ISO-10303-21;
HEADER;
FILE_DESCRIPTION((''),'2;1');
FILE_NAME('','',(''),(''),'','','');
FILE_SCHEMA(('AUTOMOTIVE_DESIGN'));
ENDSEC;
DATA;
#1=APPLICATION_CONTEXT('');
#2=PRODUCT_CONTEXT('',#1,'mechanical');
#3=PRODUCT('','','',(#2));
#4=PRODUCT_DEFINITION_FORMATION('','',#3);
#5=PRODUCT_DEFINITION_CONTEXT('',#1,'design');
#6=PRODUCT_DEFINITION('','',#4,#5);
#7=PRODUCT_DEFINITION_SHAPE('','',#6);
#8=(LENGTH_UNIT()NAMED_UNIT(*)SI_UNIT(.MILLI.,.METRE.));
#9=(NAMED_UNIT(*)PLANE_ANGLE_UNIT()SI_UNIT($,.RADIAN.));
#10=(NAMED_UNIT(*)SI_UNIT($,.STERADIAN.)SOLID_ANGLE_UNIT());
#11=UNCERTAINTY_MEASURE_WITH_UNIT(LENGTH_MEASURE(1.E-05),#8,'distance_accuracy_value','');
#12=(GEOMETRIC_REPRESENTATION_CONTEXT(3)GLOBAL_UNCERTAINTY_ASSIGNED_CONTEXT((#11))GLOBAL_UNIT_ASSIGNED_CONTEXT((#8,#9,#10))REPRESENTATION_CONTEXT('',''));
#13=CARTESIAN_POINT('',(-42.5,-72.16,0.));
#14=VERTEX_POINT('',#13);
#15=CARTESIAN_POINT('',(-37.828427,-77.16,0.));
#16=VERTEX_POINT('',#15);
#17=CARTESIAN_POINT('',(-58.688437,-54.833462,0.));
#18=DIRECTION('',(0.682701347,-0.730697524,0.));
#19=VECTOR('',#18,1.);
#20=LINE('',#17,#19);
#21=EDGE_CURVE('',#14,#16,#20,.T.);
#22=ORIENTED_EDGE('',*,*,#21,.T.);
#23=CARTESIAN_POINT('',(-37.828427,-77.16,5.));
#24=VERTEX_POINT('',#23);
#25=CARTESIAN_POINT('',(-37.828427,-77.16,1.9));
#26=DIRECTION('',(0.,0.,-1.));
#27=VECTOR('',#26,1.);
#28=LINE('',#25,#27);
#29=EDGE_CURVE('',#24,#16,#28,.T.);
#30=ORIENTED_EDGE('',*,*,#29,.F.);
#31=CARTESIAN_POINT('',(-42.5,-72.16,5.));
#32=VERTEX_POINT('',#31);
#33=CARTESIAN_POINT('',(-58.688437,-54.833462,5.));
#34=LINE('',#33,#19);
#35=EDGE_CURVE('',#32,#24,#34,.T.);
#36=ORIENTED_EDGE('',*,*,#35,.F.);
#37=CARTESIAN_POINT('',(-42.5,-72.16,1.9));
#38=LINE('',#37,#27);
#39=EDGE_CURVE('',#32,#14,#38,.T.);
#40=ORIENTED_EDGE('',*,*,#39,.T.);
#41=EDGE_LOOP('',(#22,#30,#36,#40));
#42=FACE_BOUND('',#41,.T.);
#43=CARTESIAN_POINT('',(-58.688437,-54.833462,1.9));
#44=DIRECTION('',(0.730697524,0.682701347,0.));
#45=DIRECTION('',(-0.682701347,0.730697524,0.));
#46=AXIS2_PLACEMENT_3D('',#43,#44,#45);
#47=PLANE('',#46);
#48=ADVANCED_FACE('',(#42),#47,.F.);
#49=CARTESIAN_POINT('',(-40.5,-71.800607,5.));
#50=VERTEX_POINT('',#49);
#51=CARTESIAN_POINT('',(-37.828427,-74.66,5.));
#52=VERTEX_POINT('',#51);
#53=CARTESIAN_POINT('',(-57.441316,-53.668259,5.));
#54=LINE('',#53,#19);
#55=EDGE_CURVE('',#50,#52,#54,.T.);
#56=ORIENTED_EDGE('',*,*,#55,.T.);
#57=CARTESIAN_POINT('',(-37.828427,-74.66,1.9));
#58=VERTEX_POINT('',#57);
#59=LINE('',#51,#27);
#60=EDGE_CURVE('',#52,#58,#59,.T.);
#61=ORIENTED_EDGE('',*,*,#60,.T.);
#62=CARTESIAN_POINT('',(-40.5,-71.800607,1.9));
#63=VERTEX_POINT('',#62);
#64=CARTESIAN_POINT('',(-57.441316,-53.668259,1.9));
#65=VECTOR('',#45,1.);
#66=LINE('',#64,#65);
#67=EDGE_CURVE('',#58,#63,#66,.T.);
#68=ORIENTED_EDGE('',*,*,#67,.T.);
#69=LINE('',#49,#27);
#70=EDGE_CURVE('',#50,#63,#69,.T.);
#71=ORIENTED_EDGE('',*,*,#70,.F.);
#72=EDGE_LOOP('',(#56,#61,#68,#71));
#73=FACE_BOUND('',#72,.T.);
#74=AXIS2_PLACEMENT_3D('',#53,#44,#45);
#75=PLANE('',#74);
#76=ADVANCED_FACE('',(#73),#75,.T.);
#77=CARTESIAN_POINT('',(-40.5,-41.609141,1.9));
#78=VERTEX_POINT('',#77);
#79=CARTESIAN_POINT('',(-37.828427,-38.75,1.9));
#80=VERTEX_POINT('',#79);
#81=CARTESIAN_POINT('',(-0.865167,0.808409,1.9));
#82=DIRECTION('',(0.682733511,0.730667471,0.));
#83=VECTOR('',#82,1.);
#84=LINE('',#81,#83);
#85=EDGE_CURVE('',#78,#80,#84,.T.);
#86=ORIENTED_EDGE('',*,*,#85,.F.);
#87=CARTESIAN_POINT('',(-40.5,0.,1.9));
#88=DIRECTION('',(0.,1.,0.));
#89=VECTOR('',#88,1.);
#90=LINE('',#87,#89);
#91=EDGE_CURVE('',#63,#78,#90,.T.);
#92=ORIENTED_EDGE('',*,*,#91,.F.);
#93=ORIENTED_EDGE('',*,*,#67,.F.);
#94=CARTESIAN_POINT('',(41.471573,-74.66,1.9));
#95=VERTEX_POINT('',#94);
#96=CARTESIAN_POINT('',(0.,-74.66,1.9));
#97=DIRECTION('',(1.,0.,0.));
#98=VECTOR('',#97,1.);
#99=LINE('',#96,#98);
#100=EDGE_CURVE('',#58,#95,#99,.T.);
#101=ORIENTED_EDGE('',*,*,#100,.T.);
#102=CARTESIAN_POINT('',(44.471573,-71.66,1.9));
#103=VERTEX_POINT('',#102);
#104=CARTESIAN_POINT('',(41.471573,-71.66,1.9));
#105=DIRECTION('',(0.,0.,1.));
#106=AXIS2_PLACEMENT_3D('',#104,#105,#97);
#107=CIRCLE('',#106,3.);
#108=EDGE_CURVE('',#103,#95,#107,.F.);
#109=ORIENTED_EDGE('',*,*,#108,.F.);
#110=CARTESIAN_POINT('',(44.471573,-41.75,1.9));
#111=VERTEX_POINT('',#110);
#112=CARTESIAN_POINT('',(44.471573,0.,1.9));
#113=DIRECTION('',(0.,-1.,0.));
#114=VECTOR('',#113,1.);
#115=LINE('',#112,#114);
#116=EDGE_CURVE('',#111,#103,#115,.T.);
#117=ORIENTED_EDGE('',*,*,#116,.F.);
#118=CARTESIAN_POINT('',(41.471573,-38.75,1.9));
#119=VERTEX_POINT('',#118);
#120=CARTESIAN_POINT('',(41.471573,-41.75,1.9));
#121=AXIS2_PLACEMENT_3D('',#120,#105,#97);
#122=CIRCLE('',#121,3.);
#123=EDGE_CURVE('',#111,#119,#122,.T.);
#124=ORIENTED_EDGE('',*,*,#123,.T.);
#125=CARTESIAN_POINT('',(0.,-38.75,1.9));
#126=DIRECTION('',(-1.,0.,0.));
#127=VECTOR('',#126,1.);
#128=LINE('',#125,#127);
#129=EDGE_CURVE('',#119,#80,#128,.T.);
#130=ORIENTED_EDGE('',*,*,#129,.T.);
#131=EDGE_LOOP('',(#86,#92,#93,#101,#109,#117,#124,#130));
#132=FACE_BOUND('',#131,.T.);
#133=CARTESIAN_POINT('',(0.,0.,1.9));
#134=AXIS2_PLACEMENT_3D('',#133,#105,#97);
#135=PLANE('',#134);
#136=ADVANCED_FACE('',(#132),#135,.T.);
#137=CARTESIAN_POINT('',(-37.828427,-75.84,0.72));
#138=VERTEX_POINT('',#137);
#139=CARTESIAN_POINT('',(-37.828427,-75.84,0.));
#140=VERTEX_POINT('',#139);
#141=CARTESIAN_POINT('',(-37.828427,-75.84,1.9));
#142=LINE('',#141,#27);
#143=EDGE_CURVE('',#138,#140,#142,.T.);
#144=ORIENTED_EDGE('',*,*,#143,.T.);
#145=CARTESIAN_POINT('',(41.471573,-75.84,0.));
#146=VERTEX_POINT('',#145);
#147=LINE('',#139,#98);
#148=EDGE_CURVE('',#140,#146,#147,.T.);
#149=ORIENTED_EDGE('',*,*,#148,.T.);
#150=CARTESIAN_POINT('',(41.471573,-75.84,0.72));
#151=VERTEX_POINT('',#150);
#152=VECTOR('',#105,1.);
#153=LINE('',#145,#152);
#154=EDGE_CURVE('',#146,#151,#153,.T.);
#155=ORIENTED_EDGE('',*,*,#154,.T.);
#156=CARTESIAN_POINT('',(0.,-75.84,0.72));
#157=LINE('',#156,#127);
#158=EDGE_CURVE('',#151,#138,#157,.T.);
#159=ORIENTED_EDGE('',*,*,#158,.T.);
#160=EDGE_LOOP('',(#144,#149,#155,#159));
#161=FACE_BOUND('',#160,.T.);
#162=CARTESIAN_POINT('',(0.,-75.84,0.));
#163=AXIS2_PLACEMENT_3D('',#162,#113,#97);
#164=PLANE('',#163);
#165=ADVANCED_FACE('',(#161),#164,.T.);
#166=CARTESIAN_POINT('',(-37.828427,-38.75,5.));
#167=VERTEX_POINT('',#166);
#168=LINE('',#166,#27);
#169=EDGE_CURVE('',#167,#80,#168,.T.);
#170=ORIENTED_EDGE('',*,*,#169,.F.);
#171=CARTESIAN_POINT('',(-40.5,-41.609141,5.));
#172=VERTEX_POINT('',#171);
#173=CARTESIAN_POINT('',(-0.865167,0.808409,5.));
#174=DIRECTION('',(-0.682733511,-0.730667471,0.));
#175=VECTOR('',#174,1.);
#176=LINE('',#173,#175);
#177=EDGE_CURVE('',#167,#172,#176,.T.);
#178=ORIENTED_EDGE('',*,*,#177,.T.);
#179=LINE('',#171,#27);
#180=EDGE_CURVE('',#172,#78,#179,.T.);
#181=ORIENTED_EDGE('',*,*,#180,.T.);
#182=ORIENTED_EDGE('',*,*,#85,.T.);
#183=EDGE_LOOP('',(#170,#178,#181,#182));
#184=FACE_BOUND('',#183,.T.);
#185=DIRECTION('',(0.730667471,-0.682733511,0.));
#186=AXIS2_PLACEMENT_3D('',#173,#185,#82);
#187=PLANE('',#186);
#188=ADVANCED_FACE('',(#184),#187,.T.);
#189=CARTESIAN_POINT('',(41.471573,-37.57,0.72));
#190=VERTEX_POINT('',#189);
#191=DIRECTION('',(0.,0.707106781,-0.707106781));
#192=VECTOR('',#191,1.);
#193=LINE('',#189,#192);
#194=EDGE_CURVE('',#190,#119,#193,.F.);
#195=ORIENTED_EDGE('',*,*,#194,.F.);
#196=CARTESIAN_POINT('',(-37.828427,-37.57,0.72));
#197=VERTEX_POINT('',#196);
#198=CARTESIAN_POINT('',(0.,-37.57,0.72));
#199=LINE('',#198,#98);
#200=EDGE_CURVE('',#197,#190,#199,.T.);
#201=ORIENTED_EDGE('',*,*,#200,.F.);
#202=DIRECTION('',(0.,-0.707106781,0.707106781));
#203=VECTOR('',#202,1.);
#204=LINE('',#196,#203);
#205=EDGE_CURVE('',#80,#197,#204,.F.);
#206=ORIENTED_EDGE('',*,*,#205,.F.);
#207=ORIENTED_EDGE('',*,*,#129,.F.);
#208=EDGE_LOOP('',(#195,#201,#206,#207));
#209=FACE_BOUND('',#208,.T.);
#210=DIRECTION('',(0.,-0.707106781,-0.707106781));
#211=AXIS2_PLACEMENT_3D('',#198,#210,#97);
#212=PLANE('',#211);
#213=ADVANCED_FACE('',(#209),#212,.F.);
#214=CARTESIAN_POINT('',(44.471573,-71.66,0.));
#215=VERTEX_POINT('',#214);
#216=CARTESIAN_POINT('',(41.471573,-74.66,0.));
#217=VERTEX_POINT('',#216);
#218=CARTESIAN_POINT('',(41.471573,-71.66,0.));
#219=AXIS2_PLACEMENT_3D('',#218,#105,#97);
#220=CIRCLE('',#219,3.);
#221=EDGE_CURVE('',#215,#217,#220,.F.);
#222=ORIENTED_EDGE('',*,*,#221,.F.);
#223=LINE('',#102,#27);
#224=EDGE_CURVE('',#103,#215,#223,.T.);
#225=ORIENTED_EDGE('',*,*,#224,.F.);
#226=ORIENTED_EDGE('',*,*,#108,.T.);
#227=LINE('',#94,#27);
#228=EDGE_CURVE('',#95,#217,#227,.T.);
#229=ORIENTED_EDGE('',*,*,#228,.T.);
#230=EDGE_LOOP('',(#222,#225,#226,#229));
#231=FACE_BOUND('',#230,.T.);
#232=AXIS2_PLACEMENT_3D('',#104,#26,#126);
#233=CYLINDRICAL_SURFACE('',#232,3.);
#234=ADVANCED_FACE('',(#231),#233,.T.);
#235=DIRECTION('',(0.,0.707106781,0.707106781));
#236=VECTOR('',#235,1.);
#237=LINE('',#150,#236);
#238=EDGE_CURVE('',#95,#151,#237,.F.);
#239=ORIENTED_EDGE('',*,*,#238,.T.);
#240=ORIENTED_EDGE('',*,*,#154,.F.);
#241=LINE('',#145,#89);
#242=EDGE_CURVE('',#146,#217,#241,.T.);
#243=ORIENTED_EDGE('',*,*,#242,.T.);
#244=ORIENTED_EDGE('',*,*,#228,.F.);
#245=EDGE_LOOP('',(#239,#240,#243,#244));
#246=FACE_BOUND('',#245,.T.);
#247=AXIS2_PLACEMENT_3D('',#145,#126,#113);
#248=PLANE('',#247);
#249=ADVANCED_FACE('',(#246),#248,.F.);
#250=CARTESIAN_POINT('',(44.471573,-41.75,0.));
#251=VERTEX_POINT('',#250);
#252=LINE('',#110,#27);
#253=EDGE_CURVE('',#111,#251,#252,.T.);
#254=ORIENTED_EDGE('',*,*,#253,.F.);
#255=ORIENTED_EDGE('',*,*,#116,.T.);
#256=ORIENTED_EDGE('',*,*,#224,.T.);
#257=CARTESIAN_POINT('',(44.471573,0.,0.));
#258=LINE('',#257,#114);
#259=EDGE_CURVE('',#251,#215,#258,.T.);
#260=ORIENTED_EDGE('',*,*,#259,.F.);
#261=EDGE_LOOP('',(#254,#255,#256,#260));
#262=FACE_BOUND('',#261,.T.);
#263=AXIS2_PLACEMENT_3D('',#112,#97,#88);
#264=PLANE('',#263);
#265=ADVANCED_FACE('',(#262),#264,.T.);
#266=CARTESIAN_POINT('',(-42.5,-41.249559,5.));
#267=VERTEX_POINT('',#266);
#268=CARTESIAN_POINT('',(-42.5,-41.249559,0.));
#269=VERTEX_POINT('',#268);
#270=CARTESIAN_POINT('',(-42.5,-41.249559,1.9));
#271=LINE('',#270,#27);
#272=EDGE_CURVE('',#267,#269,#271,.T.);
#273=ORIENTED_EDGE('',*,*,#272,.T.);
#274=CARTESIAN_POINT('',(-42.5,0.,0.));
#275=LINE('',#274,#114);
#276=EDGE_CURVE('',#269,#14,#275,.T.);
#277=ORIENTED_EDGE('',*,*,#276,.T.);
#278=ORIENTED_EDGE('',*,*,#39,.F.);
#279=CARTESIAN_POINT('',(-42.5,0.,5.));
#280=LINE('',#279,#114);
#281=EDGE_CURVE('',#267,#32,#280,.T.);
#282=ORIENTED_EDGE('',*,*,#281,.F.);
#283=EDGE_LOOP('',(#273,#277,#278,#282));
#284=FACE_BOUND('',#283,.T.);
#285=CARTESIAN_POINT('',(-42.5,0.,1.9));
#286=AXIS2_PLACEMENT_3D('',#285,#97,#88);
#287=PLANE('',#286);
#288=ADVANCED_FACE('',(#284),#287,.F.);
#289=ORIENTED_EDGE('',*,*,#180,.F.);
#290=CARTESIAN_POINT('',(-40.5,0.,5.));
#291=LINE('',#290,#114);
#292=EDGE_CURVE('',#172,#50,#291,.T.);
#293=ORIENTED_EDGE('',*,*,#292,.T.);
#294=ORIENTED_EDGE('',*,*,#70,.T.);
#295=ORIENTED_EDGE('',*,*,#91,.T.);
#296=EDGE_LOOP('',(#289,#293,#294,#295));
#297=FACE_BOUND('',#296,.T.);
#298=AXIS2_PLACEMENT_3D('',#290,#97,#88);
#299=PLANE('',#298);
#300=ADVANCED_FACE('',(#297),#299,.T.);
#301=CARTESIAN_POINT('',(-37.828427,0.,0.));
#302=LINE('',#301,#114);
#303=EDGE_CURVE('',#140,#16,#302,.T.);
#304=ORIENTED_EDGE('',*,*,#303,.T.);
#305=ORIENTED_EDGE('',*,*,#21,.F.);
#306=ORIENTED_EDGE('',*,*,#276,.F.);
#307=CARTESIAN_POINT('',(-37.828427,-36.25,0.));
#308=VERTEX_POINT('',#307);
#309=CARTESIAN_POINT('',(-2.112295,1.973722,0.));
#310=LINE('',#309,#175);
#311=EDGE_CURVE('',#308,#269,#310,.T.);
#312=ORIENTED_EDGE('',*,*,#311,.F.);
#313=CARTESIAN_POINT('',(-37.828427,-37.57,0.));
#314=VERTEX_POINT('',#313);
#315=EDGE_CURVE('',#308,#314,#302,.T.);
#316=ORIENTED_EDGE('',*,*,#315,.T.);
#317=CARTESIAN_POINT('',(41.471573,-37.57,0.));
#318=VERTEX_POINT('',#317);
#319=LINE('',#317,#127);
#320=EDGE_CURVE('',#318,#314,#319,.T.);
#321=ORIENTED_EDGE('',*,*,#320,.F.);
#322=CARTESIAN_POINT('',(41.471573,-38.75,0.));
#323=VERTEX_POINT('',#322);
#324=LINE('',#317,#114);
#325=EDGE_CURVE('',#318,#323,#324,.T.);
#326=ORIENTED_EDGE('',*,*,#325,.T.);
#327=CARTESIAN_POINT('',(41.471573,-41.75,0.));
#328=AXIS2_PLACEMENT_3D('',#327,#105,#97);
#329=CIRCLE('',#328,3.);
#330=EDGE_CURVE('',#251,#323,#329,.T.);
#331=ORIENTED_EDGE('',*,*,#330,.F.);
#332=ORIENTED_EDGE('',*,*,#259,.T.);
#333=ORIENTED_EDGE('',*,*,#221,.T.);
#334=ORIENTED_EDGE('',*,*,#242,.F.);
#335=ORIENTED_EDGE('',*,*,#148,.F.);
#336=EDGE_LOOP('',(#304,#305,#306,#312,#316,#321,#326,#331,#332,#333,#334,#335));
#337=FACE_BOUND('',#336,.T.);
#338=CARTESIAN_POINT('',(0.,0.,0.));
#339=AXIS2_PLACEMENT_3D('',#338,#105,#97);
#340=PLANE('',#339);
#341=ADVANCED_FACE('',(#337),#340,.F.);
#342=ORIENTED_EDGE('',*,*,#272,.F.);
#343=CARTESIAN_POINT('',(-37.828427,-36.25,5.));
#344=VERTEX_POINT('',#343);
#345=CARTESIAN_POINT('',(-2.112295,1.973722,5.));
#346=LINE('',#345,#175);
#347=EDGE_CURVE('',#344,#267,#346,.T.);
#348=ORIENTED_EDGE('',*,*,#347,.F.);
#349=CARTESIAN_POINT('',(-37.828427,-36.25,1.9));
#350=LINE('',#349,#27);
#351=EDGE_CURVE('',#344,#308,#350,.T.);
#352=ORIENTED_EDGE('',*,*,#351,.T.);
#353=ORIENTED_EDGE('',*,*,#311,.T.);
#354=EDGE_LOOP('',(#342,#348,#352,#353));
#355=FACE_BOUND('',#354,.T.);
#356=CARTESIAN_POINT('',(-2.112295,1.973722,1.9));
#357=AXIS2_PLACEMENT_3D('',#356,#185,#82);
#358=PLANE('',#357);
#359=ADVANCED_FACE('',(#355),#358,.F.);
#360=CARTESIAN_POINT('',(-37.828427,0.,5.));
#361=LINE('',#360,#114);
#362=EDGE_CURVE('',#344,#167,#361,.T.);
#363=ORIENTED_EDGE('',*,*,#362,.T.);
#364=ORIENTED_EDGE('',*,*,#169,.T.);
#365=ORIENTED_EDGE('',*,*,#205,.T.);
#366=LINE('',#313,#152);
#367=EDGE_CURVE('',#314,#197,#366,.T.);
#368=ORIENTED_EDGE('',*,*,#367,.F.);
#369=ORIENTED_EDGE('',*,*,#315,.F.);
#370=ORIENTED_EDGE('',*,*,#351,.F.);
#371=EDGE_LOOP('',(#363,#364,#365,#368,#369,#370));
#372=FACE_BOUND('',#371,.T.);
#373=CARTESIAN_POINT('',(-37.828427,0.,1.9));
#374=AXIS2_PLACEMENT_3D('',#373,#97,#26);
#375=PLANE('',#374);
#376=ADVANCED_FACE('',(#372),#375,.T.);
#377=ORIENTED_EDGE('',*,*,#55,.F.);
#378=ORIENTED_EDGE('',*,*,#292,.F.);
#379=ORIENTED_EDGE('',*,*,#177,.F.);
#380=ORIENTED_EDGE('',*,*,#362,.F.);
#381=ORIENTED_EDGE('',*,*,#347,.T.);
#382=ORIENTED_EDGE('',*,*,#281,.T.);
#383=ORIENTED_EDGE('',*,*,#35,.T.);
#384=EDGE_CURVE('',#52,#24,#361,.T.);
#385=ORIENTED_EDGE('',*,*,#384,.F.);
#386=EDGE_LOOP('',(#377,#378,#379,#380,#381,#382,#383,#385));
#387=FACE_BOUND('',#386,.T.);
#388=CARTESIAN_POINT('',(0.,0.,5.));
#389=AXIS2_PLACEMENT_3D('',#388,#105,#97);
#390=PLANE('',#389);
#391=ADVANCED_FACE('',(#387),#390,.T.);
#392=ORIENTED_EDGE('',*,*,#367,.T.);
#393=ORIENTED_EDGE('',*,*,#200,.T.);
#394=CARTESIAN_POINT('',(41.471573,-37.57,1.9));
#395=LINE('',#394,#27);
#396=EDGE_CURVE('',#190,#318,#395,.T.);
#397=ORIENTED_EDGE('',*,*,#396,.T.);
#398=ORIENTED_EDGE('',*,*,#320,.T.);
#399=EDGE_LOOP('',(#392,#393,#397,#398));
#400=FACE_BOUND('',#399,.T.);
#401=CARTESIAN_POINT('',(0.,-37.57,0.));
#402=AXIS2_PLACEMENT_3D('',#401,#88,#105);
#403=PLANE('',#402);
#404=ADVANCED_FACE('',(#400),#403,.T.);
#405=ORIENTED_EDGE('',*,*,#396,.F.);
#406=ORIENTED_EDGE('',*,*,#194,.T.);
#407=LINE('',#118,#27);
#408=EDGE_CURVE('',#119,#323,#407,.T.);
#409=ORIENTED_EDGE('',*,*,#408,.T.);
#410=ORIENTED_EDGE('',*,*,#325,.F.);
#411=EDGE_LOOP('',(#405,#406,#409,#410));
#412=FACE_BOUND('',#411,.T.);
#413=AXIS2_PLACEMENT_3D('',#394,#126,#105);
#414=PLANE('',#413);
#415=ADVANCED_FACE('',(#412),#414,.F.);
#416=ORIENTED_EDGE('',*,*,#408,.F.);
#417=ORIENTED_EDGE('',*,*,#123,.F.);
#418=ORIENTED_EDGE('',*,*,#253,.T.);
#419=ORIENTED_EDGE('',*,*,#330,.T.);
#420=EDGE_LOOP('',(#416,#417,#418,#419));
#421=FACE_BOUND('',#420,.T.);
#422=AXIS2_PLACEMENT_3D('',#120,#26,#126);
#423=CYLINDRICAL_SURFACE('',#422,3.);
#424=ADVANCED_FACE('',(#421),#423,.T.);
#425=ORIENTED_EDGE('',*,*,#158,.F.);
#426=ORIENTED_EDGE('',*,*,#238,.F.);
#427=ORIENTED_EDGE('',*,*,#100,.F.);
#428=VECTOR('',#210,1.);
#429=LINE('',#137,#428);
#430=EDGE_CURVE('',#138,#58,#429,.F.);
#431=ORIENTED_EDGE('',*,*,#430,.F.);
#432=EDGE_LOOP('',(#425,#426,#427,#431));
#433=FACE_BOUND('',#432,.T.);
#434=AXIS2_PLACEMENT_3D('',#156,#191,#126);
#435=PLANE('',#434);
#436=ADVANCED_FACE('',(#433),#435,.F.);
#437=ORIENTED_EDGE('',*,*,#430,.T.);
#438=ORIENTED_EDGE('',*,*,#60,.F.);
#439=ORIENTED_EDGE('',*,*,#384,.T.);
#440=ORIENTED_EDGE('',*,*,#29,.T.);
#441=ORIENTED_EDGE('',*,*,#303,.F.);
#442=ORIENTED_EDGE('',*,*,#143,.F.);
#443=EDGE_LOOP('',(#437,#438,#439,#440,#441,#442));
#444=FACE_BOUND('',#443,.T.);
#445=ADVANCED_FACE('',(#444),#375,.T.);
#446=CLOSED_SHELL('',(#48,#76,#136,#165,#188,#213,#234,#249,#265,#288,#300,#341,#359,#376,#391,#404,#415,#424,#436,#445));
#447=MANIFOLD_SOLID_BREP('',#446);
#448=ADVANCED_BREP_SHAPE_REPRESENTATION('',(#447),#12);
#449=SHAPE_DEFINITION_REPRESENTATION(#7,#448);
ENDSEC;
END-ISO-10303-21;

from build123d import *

# Parameters (mm, degrees)
BOSS_EXTRUDE1_DEPTH = 1.9
BOSS_EXTRUDE2_DEPTH = 5
SKETCH4_W           = 79.3
SKETCH4_H           = 1.9
BOSS_EXTRUDE3_DEPTH = 1.18
SKETCH5_W           = 79.3
SKETCH5_H           = 1.9
BOSS_EXTRUDE4_DEPTH = 1.18
CHAMFER2_SIZE       = 1.18


with BuildPart() as part:
    # Sketch3 → Boss-Extrude1 (new body)
    with BuildSketch(Plane.XY):
        with BuildLine():
            Line((-37.828427125, -38.75), (-37.828427125, -36.25))
            Line((-37.828427125, -36.25), (-42.5, -41.249558803))
            Line((-42.5, -41.249558803), (-42.5, -72.16))
            Line((-42.5, -72.16), (-37.828427125, -77.16))
            Line((-37.828427125, -77.16), (-37.828427125, -74.66))
            Line((-37.828427125, -74.66), (41.471572875, -74.66))
            ThreePointArc((41.471572875, -74.66), (43.592893219, -73.781320344), (44.471572875, -71.66))
            Line((44.471572875, -71.66), (44.471572875, -41.75))
            ThreePointArc((44.471572875, -41.75), (43.592893219, -39.628679656), (41.471572875, -38.75))
            Line((41.471572875, -38.75), (-37.828427125, -38.75))
        make_face()
    extrude(amount=BOSS_EXTRUDE1_DEPTH)

    # Sketch3<5> → Boss-Extrude2 (add)
    with BuildSketch(Plane.XY):
        Polygon((-37.828427125, -38.75), (-37.828427125, -36.25), (-42.5, -41.249558803), (-42.5, -72.16), (-37.828427125, -77.16), (-37.828427125, -74.66), (-40.5, -71.800606658), (-40.5, -41.609141031), align=None)
    extrude(amount=BOSS_EXTRUDE2_DEPTH)

    # Sketch4 → Boss-Extrude3 (add)
    with BuildSketch(Plane.XZ.offset(74.66)):
        with Locations((1.821572875, 0.95)):
            Rectangle(SKETCH4_W, SKETCH4_H)
    extrude(amount=BOSS_EXTRUDE3_DEPTH)

    # Sketch5 → Boss-Extrude4 (add)
    with BuildSketch(Plane(origin=(0, -38.75, 0), x_dir=(1, 0, 0), z_dir=(0, 1, 0))):
        with Locations((1.821572875, -0.95)):
            Rectangle(SKETCH5_W, SKETCH5_H)
    extrude(amount=BOSS_EXTRUDE4_DEPTH)

    # Chamfer2
    chamfer2_edges = [part.edges().sort_by_distance(p)[0] for p in [
        (1.821572875, -75.84, 1.9),
        (1.821572875, -37.57, 1.9),
    ]]
    chamfer(chamfer2_edges, length=CHAMFER2_SIZE)


solid = part.part
